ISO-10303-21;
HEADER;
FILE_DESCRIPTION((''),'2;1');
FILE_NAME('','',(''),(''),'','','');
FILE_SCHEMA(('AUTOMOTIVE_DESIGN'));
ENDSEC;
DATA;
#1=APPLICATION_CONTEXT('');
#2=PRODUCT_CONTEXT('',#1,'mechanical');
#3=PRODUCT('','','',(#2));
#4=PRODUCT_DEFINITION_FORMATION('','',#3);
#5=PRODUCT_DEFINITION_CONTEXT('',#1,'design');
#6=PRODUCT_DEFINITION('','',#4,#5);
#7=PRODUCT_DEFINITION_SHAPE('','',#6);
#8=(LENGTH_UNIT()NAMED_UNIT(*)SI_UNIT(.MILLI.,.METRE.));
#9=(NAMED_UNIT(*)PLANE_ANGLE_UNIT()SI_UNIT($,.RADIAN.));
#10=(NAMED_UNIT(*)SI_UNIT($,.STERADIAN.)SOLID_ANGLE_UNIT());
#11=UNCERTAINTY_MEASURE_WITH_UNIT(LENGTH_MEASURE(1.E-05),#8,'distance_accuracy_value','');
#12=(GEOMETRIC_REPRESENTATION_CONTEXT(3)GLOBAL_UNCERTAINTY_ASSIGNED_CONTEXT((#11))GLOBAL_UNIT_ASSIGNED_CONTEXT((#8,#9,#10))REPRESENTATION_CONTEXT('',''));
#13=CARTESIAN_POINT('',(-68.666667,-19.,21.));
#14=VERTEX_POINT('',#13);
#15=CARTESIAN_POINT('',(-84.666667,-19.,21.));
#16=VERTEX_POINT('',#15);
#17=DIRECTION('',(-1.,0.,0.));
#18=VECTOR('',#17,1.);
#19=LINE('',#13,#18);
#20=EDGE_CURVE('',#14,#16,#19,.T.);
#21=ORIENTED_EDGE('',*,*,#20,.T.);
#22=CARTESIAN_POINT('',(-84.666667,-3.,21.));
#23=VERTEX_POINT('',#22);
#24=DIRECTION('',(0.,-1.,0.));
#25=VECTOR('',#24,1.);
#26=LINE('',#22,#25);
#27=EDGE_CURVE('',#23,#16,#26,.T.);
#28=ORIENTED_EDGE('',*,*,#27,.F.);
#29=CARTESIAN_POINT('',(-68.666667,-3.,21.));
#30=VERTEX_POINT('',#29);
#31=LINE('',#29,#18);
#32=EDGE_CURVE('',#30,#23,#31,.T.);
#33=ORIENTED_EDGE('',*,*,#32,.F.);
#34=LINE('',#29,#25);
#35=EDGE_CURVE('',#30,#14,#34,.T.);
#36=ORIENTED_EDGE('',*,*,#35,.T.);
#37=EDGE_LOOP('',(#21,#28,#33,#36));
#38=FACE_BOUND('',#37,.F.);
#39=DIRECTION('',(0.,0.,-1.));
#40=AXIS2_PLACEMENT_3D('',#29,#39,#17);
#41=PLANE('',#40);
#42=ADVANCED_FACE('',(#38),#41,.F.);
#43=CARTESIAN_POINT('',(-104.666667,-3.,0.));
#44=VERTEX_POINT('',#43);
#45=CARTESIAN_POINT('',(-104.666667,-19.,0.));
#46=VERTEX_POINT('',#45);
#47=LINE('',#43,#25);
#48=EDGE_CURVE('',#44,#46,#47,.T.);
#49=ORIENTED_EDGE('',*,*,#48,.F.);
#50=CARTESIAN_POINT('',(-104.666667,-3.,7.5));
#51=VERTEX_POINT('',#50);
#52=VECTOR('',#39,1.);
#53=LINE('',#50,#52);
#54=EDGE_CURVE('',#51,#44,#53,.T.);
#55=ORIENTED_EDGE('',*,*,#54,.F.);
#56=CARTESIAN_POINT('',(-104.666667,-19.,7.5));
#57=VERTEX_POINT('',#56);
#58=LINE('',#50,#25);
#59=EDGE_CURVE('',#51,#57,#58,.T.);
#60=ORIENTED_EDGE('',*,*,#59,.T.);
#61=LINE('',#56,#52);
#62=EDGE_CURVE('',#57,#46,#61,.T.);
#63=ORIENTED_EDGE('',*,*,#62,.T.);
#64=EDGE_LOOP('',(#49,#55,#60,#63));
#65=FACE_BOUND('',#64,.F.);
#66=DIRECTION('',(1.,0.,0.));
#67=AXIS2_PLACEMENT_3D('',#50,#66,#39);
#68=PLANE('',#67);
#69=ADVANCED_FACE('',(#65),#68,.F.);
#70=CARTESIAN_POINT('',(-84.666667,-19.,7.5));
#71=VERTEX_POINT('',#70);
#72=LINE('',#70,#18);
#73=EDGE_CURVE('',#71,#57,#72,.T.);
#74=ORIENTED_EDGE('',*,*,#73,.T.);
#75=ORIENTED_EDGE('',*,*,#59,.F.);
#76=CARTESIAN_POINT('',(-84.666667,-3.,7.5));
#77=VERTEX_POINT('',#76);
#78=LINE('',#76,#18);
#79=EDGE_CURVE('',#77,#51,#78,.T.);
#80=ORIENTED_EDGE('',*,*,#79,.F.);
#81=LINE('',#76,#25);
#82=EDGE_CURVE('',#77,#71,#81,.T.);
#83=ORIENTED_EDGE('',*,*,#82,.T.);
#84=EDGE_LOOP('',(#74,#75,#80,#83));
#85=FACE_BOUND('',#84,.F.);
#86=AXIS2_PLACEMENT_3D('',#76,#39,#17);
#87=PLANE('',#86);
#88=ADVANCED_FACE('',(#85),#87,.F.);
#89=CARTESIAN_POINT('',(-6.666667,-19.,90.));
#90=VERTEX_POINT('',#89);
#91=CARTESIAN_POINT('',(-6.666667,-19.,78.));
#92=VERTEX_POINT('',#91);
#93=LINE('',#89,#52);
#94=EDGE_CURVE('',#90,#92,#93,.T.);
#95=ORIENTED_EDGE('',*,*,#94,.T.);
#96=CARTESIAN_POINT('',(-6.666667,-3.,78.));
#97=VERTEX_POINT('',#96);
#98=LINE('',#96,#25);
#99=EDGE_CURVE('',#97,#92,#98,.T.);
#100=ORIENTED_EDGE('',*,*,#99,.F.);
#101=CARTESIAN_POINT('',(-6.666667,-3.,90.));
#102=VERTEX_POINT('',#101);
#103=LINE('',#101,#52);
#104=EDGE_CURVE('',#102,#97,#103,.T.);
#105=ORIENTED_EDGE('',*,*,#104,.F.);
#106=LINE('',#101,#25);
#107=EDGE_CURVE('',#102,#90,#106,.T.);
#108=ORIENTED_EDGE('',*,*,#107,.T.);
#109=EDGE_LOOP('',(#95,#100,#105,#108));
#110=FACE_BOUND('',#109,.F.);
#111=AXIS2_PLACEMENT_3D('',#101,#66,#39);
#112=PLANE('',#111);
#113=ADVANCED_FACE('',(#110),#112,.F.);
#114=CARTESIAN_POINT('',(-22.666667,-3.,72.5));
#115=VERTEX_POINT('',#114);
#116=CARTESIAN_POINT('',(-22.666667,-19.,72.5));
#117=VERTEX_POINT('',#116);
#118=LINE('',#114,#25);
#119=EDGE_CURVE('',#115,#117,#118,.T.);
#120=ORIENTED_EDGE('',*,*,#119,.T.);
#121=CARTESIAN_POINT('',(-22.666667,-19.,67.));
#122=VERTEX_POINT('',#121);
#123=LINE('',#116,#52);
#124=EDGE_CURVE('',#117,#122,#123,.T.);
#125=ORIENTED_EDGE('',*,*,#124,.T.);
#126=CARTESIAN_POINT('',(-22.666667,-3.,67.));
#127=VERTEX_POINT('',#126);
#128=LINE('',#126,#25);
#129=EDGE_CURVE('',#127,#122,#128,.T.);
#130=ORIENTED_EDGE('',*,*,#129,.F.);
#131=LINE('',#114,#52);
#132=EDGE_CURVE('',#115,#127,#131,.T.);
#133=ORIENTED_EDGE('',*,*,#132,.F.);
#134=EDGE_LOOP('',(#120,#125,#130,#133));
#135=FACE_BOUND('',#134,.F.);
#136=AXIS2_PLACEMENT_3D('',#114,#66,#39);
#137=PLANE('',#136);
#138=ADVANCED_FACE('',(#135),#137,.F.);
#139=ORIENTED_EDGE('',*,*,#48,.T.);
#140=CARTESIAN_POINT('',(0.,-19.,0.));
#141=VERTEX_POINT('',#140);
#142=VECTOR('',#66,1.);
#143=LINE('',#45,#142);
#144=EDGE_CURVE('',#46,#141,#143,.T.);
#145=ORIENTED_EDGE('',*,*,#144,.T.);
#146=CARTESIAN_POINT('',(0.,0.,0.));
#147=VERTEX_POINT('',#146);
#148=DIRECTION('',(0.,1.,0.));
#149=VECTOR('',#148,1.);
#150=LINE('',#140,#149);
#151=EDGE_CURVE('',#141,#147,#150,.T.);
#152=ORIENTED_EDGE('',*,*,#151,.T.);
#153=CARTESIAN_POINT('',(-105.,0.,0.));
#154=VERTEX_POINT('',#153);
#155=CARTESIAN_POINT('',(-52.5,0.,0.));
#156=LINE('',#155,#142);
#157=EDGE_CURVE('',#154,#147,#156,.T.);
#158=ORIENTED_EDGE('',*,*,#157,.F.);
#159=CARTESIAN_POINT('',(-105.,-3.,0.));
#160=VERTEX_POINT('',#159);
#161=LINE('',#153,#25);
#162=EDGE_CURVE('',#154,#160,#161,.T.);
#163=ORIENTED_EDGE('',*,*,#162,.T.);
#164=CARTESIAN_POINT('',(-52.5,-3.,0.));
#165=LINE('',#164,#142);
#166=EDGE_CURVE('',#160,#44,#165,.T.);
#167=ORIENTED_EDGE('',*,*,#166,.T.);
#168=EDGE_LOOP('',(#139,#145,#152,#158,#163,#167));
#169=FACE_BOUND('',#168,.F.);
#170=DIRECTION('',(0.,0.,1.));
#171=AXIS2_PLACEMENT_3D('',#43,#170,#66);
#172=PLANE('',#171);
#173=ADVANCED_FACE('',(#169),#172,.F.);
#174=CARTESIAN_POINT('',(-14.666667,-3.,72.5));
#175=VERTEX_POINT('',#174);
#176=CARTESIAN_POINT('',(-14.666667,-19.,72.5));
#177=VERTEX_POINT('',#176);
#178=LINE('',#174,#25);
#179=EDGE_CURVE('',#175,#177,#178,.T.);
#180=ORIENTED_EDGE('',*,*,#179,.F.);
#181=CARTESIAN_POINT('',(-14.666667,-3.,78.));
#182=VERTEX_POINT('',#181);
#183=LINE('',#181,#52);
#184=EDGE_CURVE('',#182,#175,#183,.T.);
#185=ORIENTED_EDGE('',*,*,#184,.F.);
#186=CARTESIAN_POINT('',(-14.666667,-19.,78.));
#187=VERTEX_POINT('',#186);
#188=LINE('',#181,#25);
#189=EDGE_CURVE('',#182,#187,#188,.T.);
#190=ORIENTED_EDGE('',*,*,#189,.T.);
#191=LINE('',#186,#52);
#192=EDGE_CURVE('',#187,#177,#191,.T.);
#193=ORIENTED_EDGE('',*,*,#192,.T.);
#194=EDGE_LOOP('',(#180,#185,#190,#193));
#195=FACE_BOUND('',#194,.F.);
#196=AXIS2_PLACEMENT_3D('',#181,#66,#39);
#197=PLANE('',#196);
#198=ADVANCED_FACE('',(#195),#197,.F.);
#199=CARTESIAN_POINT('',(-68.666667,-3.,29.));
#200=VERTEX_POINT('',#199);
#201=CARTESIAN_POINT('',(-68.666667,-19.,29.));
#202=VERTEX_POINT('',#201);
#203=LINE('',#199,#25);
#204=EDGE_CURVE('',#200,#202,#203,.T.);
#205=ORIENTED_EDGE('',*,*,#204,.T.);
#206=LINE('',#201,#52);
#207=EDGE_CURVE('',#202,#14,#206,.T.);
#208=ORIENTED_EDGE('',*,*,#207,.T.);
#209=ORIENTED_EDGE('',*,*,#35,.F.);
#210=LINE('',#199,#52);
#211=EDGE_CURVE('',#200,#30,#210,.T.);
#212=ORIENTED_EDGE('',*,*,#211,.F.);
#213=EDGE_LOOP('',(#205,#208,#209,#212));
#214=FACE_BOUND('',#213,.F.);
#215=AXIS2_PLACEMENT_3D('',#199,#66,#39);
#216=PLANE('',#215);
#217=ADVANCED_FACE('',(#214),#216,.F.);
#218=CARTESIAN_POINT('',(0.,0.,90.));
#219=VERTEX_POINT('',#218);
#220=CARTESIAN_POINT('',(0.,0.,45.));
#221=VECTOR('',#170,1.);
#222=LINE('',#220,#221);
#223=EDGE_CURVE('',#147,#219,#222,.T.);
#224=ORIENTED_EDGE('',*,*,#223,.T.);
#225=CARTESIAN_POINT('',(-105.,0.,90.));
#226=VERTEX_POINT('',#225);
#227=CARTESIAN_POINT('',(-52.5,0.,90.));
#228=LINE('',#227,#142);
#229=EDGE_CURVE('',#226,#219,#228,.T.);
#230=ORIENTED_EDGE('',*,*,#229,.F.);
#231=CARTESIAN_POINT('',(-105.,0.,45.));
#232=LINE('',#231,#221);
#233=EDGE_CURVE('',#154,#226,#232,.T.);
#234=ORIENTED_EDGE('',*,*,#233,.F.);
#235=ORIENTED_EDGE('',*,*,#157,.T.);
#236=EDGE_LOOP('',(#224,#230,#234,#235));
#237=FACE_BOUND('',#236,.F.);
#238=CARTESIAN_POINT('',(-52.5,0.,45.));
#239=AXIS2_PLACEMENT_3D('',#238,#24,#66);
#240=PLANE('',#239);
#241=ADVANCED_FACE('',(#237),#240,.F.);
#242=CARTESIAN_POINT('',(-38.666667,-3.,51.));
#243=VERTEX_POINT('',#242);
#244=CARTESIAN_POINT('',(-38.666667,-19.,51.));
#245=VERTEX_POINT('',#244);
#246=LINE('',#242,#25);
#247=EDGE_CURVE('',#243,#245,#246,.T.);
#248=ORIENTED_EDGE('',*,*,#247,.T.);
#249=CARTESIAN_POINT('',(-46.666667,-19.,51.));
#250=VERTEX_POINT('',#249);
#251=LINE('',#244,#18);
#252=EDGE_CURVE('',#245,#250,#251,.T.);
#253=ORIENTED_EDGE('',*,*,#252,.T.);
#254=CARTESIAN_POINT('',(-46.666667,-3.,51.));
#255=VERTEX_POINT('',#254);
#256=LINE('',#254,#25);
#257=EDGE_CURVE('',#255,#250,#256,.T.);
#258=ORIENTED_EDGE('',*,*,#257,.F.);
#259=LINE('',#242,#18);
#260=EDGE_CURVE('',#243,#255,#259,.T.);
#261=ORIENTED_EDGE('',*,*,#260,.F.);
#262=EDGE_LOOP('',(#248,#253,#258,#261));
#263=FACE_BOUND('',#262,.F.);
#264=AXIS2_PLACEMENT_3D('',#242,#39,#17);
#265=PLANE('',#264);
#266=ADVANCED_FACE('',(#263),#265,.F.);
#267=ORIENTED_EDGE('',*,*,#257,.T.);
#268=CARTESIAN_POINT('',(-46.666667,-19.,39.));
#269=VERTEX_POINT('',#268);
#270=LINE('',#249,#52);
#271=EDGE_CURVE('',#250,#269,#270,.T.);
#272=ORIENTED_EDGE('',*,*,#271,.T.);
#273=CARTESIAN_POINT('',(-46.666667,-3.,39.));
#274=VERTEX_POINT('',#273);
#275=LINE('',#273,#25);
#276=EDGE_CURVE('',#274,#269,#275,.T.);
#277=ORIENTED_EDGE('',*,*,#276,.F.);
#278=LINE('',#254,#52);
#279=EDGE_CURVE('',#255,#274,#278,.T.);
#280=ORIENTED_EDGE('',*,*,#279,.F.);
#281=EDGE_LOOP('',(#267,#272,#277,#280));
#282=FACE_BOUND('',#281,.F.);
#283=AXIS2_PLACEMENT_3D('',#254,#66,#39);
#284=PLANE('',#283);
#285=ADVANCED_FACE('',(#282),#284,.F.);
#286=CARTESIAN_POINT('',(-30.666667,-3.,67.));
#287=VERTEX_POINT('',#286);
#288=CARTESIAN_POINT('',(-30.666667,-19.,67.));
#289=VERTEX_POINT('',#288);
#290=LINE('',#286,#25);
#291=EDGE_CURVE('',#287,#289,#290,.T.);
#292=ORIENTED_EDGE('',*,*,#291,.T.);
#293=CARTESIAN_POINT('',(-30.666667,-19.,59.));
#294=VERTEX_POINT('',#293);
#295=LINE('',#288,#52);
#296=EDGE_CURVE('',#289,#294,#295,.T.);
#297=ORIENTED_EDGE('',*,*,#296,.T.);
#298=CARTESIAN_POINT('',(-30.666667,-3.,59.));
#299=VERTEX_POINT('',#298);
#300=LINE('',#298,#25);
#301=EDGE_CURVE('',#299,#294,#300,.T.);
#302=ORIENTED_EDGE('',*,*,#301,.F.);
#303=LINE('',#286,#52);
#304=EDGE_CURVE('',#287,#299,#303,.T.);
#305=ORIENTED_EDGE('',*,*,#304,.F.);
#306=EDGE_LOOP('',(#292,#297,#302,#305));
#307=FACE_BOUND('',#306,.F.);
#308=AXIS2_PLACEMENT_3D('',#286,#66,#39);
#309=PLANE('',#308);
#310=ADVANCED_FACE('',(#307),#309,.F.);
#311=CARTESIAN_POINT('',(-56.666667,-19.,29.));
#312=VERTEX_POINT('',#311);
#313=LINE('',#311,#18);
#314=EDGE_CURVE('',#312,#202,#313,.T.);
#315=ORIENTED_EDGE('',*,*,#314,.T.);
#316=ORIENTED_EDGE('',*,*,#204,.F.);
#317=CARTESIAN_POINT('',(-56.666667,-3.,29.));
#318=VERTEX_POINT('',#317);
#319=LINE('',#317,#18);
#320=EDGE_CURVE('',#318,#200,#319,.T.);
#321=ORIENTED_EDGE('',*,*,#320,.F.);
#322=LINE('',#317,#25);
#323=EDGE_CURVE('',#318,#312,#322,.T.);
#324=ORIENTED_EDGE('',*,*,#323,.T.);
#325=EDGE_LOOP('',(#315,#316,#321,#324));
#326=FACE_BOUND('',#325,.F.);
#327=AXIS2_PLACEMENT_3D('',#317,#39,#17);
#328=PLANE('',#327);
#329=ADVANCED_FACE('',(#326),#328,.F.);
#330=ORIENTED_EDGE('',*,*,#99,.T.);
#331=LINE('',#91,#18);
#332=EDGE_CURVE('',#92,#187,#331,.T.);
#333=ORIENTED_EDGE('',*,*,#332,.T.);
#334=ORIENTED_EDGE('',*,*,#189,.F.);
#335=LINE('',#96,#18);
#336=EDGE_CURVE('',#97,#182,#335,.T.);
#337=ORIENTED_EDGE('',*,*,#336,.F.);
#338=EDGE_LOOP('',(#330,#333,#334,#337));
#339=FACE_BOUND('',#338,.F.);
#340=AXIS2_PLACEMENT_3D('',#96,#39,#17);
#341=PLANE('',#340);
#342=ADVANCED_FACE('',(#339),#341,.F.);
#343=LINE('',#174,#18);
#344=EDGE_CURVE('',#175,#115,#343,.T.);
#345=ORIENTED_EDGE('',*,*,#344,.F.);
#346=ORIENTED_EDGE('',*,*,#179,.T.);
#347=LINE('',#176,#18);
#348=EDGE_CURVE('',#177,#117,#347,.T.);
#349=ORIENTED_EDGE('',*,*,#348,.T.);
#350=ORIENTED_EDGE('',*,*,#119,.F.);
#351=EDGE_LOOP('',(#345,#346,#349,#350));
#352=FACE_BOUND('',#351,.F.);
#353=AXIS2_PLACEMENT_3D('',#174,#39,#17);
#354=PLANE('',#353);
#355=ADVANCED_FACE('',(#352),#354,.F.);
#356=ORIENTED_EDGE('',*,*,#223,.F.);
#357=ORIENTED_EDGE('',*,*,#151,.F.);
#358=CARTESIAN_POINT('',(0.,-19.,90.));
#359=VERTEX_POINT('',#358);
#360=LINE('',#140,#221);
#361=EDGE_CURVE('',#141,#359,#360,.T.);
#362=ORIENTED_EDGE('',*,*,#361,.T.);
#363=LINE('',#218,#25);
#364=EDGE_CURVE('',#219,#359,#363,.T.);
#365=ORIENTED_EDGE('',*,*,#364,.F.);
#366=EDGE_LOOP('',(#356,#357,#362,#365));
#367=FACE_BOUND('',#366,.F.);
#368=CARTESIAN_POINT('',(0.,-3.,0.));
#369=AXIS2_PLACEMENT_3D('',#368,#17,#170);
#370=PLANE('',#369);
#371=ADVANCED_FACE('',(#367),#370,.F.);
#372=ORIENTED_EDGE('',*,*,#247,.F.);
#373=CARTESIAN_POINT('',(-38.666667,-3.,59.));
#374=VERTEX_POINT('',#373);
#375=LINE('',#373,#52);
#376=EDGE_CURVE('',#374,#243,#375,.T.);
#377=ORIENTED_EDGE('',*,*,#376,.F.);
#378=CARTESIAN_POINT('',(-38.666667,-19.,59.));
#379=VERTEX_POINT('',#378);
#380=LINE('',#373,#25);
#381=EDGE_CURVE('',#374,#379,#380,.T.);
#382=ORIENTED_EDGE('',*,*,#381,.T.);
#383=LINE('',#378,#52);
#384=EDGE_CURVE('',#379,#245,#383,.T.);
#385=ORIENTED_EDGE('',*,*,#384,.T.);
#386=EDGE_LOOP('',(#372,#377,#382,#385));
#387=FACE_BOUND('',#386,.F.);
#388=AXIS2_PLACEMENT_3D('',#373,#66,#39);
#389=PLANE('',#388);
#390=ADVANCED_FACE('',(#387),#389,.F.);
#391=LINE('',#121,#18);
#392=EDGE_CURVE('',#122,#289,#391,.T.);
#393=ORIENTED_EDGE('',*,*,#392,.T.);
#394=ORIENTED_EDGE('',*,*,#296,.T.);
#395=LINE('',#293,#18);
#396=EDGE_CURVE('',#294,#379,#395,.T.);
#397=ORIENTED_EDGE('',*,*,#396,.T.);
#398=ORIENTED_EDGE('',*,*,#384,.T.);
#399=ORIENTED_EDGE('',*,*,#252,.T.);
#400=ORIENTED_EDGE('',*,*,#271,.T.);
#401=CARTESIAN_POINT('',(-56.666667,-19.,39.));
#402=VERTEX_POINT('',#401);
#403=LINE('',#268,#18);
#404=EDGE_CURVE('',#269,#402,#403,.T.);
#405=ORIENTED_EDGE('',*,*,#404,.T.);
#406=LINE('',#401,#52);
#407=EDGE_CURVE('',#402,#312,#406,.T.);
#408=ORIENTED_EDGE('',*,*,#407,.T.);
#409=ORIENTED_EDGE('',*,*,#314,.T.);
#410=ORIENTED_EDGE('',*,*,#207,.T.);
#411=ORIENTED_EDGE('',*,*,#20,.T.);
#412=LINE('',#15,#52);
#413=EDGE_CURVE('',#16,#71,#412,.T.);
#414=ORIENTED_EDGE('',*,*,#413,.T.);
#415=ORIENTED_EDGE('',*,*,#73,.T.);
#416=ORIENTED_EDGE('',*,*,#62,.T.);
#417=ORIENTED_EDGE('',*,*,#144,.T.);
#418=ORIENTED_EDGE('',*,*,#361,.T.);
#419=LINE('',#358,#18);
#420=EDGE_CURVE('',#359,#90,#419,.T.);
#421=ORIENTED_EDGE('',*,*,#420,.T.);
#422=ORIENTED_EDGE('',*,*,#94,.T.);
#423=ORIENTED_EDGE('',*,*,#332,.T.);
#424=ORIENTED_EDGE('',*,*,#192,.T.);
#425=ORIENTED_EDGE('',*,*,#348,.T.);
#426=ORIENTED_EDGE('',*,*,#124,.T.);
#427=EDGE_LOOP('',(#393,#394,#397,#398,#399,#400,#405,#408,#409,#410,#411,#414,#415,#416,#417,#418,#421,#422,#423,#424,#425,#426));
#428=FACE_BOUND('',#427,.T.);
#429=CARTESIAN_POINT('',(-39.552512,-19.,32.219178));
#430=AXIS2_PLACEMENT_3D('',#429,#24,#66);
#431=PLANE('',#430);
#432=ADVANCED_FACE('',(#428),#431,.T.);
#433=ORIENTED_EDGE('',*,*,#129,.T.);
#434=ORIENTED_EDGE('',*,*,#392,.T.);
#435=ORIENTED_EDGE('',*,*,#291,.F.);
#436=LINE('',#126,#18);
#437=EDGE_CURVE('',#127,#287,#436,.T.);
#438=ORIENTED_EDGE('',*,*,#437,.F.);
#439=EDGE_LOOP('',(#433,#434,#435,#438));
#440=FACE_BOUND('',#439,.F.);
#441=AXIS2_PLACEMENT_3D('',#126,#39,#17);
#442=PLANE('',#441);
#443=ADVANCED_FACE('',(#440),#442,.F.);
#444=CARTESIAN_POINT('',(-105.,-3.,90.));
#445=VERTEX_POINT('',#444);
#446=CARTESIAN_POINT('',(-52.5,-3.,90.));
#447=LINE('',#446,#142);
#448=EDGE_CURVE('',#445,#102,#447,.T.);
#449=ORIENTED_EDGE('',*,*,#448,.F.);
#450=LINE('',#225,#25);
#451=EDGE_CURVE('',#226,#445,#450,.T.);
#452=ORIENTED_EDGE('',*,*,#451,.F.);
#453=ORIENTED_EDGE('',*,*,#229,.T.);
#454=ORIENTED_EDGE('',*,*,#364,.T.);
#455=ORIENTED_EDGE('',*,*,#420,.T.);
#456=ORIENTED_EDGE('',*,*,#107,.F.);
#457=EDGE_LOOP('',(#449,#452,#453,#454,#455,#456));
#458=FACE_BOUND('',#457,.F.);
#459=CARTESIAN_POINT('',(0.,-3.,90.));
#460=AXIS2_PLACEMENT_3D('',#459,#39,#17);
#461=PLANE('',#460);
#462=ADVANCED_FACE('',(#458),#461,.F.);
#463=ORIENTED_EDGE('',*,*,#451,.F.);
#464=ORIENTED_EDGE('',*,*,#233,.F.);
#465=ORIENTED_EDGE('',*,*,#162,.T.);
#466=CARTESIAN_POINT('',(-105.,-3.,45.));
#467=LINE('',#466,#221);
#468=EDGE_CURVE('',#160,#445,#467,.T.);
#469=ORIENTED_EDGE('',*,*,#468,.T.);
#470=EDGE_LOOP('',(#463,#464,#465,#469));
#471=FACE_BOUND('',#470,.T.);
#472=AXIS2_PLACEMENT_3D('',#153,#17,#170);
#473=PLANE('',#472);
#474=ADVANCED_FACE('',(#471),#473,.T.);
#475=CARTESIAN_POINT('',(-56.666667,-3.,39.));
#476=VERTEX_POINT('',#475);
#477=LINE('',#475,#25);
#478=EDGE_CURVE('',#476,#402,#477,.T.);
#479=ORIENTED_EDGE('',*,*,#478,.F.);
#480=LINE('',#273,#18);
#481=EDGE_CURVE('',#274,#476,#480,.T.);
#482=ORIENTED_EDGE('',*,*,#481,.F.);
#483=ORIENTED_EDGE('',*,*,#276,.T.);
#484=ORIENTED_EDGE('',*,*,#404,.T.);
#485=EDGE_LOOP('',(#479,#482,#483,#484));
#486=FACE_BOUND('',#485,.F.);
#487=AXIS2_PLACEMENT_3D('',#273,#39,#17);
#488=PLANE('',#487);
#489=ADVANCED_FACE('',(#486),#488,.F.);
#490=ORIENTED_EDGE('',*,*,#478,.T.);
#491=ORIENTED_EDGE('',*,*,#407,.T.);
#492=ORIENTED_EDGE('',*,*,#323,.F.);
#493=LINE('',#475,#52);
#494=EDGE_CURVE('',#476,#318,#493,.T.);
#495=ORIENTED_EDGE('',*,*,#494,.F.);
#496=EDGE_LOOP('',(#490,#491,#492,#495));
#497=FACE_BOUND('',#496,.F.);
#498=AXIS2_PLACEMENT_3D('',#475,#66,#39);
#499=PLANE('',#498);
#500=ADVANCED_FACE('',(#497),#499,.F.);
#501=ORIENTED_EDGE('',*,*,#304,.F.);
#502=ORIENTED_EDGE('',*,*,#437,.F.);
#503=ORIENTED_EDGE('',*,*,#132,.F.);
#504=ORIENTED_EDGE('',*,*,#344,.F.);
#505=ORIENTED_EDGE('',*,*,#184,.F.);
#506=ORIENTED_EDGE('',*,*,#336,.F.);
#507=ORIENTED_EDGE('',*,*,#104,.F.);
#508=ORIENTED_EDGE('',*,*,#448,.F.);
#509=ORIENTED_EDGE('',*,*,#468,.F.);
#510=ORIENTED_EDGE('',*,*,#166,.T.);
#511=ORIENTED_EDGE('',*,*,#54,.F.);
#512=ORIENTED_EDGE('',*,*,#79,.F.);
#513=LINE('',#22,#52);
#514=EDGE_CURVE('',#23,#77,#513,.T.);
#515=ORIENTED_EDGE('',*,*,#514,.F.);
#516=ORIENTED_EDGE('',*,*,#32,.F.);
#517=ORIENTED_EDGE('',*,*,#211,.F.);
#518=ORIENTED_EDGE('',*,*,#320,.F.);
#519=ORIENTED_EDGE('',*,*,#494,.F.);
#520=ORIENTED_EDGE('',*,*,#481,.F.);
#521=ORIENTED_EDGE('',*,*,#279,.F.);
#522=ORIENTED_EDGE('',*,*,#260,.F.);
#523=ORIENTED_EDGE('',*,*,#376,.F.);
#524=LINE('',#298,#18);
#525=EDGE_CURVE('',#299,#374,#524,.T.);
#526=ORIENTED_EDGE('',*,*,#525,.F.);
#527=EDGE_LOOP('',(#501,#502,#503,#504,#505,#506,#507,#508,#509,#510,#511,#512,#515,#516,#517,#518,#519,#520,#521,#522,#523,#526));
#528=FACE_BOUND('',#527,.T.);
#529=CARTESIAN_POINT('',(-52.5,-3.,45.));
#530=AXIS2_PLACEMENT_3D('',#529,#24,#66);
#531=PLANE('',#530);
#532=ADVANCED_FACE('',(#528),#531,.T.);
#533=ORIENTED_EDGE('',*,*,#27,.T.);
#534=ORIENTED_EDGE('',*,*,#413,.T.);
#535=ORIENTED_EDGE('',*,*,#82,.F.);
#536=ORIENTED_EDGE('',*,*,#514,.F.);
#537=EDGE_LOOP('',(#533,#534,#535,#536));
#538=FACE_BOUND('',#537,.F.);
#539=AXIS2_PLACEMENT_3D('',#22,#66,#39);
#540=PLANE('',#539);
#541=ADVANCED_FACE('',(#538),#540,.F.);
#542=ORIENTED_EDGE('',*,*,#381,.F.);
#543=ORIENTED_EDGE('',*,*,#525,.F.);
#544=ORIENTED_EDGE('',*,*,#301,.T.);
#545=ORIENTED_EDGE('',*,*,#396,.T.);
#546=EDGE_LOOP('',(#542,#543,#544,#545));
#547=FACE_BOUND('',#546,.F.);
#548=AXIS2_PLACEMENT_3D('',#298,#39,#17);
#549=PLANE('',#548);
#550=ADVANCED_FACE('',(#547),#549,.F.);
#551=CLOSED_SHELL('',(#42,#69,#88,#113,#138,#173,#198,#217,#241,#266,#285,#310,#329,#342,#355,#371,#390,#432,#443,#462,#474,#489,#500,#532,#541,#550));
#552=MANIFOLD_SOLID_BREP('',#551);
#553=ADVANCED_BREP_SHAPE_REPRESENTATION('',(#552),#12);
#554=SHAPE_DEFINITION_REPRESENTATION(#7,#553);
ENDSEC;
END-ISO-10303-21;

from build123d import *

# Parameters (mm, degrees)
F0_W     = 105
F0_H     = 90
F1_DEPTH = 3
F3_DEPTH = 16


with BuildPart() as f1:
    # F0 (on Front) → F1 (new body)
    with BuildSketch(Plane.XZ):
        with Locations((-52.5, 45)):
            Rectangle(F0_W, F0_H)
    extrude(amount=F1_DEPTH)

    # F2 (on face) → F3 (join)
    with BuildSketch(Plane.XZ.offset(3)):
        Polygon((0, 0), (0, 90), (-6.666667, 90), (-6.666667, 78), (-14.666667, 78), (-14.666667, 72.5), (-22.666667, 72.5), (-22.666667, 67), (-30.666667, 67), (-30.666667, 59), (-38.666667, 59), (-38.666667, 51), (-46.666667, 51), (-46.666667, 39), (-56.666667, 39), (-56.666667, 29), (-68.666667, 29), (-68.666667, 21), (-84.666667, 21), (-84.666667, 7.5), (-104.666667, 7.5), (-104.666667, 0), align=None)
    extrude(amount=F3_DEPTH)


solid = f1.part
